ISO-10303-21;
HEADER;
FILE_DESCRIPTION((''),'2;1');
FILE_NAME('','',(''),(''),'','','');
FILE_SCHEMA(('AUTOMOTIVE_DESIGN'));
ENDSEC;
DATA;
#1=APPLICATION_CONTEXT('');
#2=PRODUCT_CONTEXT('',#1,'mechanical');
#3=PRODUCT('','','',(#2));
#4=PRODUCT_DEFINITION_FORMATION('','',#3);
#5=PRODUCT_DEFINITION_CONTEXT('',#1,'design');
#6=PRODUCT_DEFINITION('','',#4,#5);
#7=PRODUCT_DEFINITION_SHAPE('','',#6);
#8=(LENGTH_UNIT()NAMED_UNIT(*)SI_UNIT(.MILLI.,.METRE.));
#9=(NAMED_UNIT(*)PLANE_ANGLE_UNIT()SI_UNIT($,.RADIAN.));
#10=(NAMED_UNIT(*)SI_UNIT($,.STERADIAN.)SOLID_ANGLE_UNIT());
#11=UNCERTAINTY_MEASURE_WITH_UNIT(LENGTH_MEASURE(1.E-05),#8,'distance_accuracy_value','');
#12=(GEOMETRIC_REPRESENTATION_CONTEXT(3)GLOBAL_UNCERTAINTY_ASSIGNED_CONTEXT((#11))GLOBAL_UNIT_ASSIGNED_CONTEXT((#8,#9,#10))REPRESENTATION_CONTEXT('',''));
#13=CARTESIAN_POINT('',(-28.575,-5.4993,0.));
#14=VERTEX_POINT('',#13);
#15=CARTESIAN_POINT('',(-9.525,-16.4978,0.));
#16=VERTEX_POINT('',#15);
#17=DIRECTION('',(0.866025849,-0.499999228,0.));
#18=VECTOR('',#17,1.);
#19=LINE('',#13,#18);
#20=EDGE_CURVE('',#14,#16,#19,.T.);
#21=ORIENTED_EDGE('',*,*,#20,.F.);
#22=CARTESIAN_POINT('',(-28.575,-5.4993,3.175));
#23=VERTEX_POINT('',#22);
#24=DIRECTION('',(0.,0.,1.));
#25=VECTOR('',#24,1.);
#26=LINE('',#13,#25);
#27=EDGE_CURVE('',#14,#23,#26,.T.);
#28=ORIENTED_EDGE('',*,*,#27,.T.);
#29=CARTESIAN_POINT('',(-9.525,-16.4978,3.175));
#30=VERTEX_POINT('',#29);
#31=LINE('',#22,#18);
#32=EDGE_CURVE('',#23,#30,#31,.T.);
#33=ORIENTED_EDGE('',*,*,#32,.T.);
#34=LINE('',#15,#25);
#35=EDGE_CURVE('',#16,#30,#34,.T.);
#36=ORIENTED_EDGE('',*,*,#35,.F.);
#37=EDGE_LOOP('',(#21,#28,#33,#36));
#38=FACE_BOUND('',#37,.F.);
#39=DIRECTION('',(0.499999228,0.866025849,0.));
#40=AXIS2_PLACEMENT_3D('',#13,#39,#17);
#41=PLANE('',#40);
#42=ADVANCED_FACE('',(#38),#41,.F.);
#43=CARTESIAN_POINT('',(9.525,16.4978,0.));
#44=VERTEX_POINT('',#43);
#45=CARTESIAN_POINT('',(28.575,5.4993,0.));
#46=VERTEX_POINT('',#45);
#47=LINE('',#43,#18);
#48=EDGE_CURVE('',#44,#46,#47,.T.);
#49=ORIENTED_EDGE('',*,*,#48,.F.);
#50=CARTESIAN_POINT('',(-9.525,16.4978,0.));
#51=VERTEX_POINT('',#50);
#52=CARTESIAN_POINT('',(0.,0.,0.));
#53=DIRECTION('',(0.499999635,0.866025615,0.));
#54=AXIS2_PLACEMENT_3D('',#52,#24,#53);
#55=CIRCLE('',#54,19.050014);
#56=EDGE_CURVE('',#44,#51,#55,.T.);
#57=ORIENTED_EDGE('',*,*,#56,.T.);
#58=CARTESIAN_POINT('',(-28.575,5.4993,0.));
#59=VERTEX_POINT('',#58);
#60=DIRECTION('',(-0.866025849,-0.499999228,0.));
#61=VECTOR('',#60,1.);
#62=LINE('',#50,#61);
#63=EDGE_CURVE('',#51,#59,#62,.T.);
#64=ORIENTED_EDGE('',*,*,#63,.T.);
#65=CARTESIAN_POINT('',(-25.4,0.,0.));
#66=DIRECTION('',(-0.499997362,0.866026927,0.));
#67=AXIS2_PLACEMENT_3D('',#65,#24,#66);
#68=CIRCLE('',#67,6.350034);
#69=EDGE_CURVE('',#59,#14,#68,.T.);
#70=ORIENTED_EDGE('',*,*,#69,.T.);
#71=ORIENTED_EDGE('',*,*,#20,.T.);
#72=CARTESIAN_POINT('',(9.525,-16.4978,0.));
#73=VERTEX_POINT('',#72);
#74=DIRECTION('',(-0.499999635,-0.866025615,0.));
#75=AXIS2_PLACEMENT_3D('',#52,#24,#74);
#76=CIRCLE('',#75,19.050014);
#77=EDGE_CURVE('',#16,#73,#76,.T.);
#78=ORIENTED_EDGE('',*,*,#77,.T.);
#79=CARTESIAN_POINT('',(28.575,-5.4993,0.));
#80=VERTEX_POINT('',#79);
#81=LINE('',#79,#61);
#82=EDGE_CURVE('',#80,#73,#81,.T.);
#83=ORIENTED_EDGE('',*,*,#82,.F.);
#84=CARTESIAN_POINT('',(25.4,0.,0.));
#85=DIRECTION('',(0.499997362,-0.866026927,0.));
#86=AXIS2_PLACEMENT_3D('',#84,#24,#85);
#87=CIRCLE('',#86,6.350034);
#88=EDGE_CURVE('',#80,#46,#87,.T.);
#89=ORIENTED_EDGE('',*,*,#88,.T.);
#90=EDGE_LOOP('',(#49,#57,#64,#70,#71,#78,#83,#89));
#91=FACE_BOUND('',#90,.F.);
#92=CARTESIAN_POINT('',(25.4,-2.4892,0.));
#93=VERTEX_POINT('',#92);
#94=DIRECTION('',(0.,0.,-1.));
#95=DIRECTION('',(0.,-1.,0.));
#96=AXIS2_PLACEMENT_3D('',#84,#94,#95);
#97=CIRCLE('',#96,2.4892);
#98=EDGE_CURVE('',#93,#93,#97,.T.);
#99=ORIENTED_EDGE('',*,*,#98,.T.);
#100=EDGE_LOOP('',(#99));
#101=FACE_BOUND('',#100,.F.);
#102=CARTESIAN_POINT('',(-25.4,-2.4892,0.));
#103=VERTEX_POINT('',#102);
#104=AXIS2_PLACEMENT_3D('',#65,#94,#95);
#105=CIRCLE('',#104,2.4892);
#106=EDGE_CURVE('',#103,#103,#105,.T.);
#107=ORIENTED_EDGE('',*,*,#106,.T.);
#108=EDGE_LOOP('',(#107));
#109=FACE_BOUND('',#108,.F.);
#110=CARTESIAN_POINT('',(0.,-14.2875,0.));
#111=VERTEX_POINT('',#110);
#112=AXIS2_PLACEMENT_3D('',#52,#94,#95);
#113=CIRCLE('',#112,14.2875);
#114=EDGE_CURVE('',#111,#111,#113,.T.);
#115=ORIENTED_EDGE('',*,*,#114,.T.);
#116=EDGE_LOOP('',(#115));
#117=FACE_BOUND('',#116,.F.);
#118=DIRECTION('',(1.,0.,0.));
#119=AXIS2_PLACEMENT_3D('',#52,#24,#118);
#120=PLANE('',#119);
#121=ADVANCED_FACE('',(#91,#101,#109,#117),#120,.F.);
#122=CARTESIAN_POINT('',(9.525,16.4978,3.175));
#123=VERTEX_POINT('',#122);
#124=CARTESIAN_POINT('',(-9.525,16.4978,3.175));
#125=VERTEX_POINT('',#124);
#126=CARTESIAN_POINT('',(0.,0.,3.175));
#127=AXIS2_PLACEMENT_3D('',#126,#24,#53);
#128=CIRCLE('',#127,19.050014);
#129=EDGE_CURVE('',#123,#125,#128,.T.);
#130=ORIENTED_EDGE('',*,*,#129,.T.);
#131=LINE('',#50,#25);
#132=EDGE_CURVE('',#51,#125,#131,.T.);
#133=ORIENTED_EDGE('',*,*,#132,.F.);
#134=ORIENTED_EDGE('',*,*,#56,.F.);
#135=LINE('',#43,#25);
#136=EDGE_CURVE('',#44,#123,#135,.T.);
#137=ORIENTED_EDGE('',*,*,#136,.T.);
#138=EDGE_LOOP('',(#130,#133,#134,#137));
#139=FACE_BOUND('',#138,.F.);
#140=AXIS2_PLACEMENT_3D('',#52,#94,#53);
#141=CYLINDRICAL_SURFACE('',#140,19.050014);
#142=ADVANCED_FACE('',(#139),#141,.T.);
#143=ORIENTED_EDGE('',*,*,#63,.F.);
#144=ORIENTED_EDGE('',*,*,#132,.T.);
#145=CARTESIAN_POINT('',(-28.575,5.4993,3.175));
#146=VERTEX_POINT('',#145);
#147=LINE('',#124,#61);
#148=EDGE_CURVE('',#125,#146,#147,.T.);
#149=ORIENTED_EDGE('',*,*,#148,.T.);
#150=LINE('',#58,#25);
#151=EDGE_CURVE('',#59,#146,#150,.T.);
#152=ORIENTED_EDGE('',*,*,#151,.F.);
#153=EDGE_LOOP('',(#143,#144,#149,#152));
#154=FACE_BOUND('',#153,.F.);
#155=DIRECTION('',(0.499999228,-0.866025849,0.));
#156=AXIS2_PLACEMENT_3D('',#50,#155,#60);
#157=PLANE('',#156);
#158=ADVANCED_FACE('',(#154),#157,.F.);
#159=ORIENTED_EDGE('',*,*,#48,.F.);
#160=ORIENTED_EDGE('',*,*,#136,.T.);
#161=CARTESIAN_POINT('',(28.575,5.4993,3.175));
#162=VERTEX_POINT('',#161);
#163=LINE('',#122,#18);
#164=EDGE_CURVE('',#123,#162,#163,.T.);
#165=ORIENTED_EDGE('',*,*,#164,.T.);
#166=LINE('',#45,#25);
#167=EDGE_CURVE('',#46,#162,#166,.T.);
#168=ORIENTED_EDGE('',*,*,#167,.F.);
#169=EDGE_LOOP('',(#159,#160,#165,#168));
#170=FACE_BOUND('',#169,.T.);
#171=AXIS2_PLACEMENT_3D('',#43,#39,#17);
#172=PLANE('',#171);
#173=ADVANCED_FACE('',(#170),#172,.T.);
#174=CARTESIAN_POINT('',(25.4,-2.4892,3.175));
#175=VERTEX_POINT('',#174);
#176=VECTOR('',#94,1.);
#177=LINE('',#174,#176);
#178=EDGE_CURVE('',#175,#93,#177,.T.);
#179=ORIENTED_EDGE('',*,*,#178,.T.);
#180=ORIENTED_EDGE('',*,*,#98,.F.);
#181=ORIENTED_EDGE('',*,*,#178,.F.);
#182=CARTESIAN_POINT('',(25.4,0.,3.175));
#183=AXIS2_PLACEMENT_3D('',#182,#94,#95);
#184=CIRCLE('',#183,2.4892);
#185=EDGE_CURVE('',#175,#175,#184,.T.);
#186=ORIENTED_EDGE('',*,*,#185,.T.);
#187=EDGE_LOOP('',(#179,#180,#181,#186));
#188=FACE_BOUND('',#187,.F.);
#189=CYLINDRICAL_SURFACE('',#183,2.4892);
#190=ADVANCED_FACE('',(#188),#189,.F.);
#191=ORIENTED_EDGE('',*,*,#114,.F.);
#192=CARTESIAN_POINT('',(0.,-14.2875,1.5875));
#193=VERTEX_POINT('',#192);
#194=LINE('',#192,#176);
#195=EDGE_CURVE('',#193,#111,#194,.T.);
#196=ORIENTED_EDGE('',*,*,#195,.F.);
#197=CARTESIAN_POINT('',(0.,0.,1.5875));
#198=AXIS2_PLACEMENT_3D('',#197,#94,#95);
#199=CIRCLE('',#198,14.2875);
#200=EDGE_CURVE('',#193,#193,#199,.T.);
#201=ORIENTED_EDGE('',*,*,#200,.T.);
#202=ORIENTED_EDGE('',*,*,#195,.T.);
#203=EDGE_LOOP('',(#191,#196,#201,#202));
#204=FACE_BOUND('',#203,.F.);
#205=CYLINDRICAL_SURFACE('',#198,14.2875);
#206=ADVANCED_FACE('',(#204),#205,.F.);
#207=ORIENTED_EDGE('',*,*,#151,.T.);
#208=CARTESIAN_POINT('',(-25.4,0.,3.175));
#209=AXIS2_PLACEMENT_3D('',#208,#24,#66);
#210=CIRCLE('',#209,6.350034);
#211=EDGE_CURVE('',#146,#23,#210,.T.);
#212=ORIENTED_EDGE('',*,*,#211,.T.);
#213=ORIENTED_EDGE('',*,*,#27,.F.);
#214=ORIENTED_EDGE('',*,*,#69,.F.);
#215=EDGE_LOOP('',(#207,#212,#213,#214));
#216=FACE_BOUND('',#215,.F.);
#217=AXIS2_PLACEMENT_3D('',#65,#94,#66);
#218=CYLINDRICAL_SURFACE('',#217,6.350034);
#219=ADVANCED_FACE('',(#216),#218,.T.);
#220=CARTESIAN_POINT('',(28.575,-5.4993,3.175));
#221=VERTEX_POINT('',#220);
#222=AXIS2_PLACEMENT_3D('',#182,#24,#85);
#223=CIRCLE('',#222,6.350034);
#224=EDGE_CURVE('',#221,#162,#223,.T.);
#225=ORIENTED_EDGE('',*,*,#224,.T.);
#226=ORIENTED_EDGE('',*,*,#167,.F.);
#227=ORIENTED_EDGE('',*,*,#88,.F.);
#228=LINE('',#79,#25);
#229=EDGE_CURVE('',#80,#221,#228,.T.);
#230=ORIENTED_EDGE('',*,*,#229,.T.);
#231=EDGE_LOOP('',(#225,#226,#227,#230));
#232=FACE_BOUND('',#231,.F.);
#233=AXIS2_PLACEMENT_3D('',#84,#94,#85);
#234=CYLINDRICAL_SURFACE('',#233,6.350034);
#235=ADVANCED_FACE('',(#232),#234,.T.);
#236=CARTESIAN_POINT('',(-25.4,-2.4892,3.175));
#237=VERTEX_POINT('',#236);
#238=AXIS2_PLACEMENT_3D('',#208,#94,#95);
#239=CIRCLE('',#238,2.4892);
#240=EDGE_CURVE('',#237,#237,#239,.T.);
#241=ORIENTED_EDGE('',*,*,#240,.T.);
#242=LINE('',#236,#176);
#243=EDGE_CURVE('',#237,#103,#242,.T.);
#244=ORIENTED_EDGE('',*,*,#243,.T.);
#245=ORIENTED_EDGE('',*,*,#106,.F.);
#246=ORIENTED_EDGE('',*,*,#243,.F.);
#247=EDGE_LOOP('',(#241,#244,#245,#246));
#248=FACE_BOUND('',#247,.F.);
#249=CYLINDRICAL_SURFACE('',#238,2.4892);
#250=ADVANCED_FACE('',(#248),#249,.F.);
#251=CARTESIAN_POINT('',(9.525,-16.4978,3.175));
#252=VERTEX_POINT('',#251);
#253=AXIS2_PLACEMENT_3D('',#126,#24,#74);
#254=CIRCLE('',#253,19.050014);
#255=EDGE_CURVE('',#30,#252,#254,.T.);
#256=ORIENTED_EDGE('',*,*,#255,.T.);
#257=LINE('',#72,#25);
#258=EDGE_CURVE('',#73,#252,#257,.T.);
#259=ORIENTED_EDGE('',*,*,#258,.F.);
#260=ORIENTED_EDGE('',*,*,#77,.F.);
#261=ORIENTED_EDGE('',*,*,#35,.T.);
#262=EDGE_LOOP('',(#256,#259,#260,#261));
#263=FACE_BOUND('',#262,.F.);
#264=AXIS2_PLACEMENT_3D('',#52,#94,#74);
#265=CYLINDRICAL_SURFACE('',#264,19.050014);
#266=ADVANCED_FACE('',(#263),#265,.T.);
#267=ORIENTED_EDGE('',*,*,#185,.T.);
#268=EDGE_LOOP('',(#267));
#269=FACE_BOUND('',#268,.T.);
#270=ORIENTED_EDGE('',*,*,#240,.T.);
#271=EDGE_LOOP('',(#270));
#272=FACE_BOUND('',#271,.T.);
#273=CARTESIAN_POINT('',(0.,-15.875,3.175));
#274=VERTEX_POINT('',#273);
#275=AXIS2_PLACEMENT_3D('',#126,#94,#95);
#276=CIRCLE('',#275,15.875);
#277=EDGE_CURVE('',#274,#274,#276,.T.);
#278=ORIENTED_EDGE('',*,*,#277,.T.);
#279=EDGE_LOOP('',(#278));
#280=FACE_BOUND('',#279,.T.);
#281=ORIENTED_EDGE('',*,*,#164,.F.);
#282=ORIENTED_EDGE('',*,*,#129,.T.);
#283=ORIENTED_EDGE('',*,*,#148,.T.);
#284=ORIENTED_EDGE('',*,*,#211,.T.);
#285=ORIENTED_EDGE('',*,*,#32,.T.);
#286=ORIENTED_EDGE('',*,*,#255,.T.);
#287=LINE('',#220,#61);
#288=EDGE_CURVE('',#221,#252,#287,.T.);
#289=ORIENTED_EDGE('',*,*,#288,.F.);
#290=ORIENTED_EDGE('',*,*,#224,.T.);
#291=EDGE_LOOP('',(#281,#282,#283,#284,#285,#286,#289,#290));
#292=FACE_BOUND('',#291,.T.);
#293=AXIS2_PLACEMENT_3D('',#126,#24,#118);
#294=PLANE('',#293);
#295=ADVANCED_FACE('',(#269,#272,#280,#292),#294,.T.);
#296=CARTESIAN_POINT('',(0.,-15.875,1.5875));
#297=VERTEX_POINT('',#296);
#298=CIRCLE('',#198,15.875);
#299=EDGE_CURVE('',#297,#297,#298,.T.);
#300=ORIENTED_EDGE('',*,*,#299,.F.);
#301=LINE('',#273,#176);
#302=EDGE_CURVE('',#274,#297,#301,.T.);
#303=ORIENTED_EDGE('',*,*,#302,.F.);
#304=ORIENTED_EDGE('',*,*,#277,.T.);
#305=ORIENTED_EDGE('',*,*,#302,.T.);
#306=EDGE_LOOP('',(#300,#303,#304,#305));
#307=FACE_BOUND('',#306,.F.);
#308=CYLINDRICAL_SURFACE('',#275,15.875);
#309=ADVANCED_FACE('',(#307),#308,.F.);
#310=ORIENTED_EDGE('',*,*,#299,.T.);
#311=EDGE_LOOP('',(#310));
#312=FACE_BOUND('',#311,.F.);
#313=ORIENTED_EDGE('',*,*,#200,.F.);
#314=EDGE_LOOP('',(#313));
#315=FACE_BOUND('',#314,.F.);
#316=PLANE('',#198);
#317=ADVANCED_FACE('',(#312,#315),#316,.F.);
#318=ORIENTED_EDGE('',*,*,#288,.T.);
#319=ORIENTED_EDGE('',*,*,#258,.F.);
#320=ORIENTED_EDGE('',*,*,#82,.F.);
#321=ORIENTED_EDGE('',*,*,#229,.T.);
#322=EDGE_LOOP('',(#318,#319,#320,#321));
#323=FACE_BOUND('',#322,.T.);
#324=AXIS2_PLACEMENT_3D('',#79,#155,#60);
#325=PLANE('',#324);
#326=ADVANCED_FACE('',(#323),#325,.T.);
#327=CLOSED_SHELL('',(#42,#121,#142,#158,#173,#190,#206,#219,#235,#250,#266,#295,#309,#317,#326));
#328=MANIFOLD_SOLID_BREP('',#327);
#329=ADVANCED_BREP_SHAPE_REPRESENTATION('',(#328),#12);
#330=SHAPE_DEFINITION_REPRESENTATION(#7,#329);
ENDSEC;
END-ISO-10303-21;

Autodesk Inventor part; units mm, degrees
ref_plane "YZ Plane" through (0, 0, 0) normal (1, 0, 0) x (0, 1, 0)
ref_plane "XZ Plane" through (0, 0, 0) normal (0, 1, 0) x (-1, 0, 0)
ref_plane "XY Plane" through (0, 0, 0) normal (0, 0, 1) x (1, 0, 0)
sketch "Sketch1" plane through (0, 0, 0) normal (0, 0, 1) x (1, 0, 0)
  line L0 (-9.525, 16.4978) -> (-28.575, 5.4993)
  arc A0 (-28.575, 5.4993) -> (-28.575, -5.4993) centre (-25.4, 0) ccw
  line L1 (-28.575, -5.4993) -> (-9.525, -16.4978)
  line L2 (9.525, 16.4978) -> (28.575, 5.4993)
  arc A1 (28.575, -5.4993) -> (28.575, 5.4993) centre (25.4, 0) ccw
  line L3 (28.575, -5.4993) -> (9.525, -16.4978)
  arc A2 (-9.525, -16.4978) -> (9.525, -16.4978) centre (0, 0) ccw
  arc A3 (9.525, 16.4978) -> (-9.525, 16.4978) centre (0, 0) ccw
  line L4 (-44.45, 0) -> (44.45, 0) construction
  line L5 (0, -26.67) -> (0, 26.67) construction
  dimension "d0" = 6.35
  dimension "d1" = 50.8
  dimension "d2" = 19.05
extrude "Extrusion1" add sketch "Sketch1" along normal blind 3.175
sketch "Sketch2" plane through (0, 0, 3.175) normal (0, 0, 1) x (1, 0, 0)
  point P0 (0, 0)
hole "Hole1" at (0, 0, 3.175) direction (0, 0, -1) diameter 28.575 end through all counterbore diameter 31.75 counterbore depth 1.5875
sketch "Sketch3" plane through (0, 0, 3.175) normal (0, 0, 1) x (1, 0, 0)
  arc A0 (-28.575, 5.4993) -> (-28.575, -5.4993) centre (-25.4, 0) ccw construction
  arc A1 (28.575, -5.4993) -> (28.575, 5.4993) centre (25.4, 0) ccw construction
  point P0 (0, 0)
  point P1 (-25.4, 0)
hole "Hole2" at (-25.4, 0, 3.175) at (25.4, 0, 3.175) direction (0, 0, -1) diameter 4.9784 end through all clearance for "Flat Head Machine Screw (82)" size "#10" standard "Ansi Unified Screw Threads"
properties part number "Bearing Holder"
